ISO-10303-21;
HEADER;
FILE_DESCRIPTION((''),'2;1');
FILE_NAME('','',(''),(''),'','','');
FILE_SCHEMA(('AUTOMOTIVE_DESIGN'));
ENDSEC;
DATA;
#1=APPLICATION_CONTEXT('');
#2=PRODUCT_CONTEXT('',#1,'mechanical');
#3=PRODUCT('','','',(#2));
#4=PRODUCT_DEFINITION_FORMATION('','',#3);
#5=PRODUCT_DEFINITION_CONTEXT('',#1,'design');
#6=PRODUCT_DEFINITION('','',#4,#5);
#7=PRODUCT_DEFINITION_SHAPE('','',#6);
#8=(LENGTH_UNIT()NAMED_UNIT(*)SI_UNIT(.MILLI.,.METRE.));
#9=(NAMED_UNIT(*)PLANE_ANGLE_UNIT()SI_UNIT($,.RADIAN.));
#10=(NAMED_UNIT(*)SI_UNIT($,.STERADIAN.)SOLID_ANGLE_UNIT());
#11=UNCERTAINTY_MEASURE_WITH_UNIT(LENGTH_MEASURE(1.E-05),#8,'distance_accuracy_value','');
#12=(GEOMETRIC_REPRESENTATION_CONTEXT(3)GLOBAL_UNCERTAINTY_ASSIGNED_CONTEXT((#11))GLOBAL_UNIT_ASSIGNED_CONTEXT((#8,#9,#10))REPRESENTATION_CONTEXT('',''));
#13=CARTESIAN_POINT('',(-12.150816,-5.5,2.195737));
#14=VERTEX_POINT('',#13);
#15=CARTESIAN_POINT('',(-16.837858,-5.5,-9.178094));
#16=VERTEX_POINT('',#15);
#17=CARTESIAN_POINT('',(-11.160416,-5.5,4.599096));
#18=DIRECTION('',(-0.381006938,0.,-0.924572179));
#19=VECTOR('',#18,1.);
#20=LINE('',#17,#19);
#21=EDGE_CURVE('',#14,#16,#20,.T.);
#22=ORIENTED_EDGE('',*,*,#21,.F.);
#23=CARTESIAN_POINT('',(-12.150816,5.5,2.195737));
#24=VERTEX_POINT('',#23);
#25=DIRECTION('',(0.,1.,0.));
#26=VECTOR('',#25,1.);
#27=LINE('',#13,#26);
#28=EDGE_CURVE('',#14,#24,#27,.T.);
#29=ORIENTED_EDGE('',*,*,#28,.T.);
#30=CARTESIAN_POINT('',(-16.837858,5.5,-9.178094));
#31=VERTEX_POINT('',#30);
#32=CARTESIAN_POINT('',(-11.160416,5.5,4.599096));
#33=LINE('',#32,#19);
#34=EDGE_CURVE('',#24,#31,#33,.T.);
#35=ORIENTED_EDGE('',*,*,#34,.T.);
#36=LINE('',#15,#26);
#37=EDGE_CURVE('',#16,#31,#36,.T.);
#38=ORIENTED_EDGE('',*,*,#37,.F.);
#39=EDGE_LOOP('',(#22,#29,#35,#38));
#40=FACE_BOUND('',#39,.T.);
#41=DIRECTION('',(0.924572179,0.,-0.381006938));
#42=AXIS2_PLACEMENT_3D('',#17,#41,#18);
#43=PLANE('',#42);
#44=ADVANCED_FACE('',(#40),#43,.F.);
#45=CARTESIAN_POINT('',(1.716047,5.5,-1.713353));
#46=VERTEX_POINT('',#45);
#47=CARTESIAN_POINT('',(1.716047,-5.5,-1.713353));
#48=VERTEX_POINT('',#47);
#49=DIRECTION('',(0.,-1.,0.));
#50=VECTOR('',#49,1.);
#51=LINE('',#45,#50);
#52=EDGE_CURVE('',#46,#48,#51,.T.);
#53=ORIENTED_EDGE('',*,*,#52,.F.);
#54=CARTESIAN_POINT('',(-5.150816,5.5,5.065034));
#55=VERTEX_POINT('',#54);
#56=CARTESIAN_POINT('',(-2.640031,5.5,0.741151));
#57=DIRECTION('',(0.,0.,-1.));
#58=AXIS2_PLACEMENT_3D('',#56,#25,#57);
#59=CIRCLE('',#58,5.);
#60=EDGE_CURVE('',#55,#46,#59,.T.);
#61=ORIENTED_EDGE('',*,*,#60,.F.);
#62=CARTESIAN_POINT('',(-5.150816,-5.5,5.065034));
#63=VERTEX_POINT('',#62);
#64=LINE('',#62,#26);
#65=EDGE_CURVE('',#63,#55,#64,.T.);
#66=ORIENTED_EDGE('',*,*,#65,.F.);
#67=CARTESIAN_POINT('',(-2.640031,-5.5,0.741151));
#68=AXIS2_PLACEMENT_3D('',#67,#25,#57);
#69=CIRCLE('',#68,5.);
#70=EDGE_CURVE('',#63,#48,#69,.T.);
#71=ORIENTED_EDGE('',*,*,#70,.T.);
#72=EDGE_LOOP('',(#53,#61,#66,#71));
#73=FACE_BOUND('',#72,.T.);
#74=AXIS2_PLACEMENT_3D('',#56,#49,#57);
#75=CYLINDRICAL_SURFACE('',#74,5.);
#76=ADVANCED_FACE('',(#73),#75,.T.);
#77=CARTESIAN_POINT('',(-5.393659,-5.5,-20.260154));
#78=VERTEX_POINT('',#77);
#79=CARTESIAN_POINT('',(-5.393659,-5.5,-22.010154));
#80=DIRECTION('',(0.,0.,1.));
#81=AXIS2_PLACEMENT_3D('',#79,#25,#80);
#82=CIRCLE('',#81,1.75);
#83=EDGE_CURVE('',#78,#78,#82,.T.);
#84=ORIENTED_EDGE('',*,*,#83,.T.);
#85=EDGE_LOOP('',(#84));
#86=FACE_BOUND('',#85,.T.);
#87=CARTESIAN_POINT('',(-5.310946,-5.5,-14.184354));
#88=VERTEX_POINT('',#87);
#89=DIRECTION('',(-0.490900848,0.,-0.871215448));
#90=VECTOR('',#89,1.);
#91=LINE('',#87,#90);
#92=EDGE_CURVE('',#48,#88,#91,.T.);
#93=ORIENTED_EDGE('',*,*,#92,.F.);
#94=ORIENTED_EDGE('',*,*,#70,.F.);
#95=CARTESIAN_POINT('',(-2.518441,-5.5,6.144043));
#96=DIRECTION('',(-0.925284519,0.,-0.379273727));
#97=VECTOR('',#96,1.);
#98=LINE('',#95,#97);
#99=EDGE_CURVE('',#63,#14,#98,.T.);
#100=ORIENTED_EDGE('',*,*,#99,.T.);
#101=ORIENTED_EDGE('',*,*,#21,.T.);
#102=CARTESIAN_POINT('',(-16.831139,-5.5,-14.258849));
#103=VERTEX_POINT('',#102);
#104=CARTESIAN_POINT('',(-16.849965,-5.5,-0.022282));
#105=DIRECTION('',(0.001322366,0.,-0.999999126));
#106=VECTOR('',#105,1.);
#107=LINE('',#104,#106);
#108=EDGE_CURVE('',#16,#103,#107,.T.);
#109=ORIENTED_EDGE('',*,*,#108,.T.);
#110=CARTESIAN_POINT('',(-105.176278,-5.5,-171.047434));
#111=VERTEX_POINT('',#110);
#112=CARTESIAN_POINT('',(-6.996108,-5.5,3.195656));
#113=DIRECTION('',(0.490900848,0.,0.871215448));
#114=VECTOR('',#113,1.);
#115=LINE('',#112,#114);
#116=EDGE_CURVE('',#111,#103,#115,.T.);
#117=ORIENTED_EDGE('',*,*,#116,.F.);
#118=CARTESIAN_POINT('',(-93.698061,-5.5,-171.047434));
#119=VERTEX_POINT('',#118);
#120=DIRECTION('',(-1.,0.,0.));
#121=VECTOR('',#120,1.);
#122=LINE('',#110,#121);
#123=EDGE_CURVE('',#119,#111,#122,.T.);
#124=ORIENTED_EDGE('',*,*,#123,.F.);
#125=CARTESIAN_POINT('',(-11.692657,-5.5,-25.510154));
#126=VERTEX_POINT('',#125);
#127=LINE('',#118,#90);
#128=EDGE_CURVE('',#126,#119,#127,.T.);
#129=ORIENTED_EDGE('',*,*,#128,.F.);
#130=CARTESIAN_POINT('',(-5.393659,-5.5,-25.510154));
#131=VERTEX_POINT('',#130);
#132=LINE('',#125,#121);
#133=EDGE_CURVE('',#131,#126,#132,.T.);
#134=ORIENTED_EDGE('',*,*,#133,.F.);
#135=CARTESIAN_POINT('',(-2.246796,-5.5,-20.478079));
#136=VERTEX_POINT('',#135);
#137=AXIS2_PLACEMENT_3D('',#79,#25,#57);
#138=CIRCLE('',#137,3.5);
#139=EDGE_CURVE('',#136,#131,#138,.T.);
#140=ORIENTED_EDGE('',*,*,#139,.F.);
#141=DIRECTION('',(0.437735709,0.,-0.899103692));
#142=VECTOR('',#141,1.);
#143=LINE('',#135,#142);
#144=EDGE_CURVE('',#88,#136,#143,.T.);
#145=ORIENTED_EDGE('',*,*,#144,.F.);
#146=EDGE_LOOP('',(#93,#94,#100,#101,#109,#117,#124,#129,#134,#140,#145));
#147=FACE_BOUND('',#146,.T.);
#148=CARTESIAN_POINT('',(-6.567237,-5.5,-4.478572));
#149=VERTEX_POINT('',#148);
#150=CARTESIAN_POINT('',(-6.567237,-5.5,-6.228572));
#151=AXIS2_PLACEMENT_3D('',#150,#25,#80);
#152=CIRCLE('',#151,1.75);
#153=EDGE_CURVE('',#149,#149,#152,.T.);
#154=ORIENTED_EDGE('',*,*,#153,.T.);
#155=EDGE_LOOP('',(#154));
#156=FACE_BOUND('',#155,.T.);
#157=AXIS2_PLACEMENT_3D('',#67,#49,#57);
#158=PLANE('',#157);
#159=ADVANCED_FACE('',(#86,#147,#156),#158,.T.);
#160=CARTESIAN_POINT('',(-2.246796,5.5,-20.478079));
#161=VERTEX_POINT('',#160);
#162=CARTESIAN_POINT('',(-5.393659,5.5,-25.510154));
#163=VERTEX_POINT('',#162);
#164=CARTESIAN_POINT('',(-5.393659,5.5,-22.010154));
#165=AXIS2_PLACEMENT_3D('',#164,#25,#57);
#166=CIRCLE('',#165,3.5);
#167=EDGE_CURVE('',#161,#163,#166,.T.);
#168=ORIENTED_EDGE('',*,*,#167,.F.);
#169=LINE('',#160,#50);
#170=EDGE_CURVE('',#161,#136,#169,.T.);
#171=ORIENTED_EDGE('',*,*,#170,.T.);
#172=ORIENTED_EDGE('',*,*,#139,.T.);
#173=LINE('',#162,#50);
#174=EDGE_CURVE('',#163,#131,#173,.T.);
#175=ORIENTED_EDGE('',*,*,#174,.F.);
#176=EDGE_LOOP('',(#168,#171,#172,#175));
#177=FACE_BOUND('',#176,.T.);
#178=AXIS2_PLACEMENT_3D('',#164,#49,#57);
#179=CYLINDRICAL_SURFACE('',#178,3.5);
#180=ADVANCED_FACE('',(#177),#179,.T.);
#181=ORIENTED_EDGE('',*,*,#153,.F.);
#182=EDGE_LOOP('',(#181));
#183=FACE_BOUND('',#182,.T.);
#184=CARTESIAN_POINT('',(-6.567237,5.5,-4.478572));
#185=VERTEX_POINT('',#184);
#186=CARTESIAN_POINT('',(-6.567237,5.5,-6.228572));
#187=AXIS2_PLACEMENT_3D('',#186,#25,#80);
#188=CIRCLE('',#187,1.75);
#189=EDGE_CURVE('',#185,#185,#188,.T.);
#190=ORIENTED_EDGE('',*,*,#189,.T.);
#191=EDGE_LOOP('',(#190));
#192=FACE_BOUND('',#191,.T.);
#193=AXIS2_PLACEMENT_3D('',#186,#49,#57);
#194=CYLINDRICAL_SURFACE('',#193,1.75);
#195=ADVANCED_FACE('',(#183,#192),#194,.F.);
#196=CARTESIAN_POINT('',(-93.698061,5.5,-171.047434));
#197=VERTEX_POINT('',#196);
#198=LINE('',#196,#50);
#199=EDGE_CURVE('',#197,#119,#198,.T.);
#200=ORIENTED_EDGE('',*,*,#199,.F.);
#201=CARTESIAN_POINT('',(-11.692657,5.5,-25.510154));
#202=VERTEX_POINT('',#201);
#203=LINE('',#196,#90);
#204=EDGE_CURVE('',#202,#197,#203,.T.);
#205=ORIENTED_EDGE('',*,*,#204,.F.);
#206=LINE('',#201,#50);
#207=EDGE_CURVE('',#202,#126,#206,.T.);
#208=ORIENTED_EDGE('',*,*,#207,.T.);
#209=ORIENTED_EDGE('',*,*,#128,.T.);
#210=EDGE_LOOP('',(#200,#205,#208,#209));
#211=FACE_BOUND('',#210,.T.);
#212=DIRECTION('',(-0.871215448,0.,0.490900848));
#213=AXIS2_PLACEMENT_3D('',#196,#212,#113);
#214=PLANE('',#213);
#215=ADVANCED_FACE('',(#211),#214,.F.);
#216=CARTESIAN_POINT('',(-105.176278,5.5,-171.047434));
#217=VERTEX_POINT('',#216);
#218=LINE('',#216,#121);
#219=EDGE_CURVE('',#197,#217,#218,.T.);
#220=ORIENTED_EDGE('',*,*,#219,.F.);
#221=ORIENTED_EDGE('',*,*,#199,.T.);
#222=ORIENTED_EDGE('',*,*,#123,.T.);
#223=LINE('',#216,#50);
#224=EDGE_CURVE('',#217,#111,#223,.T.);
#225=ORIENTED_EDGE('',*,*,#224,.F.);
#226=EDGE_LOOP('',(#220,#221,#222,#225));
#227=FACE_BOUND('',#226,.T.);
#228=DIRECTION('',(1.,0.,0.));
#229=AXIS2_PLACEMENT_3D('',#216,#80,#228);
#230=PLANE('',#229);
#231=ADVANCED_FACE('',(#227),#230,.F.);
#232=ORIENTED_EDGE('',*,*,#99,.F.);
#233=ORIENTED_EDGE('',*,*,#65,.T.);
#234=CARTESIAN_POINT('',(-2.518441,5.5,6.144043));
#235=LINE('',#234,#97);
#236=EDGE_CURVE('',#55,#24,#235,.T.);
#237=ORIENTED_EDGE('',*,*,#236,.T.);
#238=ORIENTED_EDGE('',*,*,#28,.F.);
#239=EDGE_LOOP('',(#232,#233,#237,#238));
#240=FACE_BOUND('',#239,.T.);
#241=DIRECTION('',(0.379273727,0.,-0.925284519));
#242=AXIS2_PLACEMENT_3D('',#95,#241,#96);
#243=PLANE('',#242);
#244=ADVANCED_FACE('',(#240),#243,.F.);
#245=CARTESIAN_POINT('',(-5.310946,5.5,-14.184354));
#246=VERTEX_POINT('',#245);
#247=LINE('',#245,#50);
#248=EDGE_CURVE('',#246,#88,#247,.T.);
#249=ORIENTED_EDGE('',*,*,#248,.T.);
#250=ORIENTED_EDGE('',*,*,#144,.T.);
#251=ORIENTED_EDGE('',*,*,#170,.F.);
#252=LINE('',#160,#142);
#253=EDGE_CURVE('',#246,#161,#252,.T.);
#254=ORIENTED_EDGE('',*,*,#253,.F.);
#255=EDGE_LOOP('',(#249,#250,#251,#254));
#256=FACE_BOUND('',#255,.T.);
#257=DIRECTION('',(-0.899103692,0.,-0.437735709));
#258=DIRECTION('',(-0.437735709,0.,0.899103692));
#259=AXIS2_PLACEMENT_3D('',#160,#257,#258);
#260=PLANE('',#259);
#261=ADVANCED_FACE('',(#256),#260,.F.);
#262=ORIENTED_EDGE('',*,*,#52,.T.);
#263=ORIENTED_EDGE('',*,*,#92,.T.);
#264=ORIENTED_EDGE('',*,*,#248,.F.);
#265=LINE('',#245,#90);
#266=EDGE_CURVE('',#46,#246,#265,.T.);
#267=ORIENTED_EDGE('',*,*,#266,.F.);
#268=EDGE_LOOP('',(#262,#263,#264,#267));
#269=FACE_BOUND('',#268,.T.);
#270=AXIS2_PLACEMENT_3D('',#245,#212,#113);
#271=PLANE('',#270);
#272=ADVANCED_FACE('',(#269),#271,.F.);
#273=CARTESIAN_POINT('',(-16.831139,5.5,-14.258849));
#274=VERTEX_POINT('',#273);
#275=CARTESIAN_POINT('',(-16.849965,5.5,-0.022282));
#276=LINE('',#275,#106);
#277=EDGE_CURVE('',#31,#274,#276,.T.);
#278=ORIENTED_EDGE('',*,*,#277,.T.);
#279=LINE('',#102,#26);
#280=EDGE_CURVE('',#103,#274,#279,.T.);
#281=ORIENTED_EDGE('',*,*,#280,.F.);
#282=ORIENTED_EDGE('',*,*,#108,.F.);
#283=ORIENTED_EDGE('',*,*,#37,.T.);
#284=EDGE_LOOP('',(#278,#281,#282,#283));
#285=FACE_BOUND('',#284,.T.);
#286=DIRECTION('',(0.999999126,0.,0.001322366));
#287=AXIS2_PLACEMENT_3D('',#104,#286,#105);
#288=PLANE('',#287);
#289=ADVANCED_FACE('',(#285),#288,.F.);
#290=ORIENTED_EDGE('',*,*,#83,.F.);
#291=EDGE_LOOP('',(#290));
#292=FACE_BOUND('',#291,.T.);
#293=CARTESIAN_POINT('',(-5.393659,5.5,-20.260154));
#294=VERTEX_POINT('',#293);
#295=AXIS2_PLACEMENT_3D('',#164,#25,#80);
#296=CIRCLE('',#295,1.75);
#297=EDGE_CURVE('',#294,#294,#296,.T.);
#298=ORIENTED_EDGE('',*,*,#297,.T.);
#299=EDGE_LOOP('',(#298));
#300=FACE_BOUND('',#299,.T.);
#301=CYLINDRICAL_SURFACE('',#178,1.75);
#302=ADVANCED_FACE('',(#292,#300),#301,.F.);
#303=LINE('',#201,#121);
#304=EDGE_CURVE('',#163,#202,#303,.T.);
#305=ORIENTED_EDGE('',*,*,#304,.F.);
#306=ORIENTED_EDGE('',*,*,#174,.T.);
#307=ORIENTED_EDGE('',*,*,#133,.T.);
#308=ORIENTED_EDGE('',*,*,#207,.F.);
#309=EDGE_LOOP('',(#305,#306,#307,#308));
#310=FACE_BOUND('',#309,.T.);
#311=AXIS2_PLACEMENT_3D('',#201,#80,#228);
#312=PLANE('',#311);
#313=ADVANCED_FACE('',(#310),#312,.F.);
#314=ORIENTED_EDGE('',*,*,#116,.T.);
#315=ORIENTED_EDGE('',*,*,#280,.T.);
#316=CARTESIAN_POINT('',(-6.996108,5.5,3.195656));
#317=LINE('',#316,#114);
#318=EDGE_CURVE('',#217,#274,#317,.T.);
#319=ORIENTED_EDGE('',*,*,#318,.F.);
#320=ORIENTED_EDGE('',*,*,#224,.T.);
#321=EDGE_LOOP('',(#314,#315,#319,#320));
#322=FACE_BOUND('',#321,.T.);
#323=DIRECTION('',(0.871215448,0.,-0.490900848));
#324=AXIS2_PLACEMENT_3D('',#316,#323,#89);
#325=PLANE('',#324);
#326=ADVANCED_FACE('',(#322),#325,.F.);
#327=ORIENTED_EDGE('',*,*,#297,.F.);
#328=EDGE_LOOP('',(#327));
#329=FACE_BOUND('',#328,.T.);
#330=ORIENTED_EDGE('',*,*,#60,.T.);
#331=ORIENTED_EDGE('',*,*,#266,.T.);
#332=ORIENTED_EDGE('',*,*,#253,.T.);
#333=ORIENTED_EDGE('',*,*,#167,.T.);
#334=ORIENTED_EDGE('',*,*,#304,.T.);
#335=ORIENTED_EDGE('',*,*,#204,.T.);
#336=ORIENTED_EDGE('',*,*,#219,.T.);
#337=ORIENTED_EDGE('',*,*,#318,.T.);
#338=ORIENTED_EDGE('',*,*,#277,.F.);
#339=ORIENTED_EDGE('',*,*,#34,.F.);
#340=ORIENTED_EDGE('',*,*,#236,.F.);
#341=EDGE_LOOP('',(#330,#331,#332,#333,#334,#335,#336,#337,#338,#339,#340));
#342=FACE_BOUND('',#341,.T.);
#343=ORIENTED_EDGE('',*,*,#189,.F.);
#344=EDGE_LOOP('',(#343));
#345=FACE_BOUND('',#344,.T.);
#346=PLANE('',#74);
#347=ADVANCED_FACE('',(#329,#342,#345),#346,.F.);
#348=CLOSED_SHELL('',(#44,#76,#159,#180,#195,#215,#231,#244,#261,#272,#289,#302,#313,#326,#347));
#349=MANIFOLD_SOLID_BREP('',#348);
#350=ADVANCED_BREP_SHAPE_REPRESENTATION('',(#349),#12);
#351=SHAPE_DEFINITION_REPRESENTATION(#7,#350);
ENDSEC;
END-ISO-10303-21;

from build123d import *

# Parameters (mm, degrees)
CROQUIS1_R              = 1.75
SALIENTE_EXTRUIR1_DEPTH = 5.5
SALIENTE_EXTRUIR2_DEPTH = 11


with BuildPart() as part:
    # Croquis1 → Saliente-Extruir1 (new, symmetric)
    with BuildSketch(Plane(origin=(0, 0, 0), x_dir=(1, 0, 0), z_dir=(0, 1, 0))):
        with BuildLine():
            Line((-6.9961079, -3.195655599), (-105.176277572, 171.04743403))
            Line((-105.176277572, 171.04743403), (-93.698060534, 171.04743403))
            Line((-93.698060534, 171.04743403), (-11.69265741, 25.510154411))
            Line((-11.69265741, 25.510154411), (-5.393659345, 25.510154411))
            ThreePointArc((-5.393659345, 25.510154411), (-2.426146714, 23.865920772), (-2.246796422, 20.478079431))
            Line((-2.246796422, 20.478079431), (-5.310946382, 14.184353585))
            Line((-5.310946382, 14.184353585), (1.716046582, 1.713352885))
            ThreePointArc((1.716046582, 1.713352885), (-0.185526417, -5.097228597), (-6.9961079, -3.195655599))
        make_face()
        with Locations(Location((-5.393659345, 22.010154411, 0), (0, 0, 270))):
            Circle(CROQUIS1_R, mode=Mode.SUBTRACT)
        with Locations(Location((-6.567237446, 6.228572228, 0), (0, 0, 270))):
            Circle(CROQUIS1_R, mode=Mode.SUBTRACT)
    extrude(amount=SALIENTE_EXTRUIR1_DEPTH, both=True)

    # Croquis3 → Saliente-Extruir2 (add)
    with BuildSketch(Plane(origin=(0, 5.5, 0), x_dir=(1, 0, 0), z_dir=(0, 1, 0))):
        with BuildLine():
            Line((-12.150815645, -2.195736734), (-5.150815645, -5.065033727))
            ThreePointArc((-5.150815645, -5.065033727), (-6.19841412, -4.253687071), (-6.9961079, -3.195655599))
            Line((-6.9961079, -3.195655599), (-16.8311389, 14.258848643))
            Line((-16.8311389, 14.258848643), (-16.837857523, 9.178094271))
            Line((-16.837857523, 9.178094271), (-12.150815645, -2.195736734))
        make_face()
    extrude(amount=-SALIENTE_EXTRUIR2_DEPTH)


solid = part.part
